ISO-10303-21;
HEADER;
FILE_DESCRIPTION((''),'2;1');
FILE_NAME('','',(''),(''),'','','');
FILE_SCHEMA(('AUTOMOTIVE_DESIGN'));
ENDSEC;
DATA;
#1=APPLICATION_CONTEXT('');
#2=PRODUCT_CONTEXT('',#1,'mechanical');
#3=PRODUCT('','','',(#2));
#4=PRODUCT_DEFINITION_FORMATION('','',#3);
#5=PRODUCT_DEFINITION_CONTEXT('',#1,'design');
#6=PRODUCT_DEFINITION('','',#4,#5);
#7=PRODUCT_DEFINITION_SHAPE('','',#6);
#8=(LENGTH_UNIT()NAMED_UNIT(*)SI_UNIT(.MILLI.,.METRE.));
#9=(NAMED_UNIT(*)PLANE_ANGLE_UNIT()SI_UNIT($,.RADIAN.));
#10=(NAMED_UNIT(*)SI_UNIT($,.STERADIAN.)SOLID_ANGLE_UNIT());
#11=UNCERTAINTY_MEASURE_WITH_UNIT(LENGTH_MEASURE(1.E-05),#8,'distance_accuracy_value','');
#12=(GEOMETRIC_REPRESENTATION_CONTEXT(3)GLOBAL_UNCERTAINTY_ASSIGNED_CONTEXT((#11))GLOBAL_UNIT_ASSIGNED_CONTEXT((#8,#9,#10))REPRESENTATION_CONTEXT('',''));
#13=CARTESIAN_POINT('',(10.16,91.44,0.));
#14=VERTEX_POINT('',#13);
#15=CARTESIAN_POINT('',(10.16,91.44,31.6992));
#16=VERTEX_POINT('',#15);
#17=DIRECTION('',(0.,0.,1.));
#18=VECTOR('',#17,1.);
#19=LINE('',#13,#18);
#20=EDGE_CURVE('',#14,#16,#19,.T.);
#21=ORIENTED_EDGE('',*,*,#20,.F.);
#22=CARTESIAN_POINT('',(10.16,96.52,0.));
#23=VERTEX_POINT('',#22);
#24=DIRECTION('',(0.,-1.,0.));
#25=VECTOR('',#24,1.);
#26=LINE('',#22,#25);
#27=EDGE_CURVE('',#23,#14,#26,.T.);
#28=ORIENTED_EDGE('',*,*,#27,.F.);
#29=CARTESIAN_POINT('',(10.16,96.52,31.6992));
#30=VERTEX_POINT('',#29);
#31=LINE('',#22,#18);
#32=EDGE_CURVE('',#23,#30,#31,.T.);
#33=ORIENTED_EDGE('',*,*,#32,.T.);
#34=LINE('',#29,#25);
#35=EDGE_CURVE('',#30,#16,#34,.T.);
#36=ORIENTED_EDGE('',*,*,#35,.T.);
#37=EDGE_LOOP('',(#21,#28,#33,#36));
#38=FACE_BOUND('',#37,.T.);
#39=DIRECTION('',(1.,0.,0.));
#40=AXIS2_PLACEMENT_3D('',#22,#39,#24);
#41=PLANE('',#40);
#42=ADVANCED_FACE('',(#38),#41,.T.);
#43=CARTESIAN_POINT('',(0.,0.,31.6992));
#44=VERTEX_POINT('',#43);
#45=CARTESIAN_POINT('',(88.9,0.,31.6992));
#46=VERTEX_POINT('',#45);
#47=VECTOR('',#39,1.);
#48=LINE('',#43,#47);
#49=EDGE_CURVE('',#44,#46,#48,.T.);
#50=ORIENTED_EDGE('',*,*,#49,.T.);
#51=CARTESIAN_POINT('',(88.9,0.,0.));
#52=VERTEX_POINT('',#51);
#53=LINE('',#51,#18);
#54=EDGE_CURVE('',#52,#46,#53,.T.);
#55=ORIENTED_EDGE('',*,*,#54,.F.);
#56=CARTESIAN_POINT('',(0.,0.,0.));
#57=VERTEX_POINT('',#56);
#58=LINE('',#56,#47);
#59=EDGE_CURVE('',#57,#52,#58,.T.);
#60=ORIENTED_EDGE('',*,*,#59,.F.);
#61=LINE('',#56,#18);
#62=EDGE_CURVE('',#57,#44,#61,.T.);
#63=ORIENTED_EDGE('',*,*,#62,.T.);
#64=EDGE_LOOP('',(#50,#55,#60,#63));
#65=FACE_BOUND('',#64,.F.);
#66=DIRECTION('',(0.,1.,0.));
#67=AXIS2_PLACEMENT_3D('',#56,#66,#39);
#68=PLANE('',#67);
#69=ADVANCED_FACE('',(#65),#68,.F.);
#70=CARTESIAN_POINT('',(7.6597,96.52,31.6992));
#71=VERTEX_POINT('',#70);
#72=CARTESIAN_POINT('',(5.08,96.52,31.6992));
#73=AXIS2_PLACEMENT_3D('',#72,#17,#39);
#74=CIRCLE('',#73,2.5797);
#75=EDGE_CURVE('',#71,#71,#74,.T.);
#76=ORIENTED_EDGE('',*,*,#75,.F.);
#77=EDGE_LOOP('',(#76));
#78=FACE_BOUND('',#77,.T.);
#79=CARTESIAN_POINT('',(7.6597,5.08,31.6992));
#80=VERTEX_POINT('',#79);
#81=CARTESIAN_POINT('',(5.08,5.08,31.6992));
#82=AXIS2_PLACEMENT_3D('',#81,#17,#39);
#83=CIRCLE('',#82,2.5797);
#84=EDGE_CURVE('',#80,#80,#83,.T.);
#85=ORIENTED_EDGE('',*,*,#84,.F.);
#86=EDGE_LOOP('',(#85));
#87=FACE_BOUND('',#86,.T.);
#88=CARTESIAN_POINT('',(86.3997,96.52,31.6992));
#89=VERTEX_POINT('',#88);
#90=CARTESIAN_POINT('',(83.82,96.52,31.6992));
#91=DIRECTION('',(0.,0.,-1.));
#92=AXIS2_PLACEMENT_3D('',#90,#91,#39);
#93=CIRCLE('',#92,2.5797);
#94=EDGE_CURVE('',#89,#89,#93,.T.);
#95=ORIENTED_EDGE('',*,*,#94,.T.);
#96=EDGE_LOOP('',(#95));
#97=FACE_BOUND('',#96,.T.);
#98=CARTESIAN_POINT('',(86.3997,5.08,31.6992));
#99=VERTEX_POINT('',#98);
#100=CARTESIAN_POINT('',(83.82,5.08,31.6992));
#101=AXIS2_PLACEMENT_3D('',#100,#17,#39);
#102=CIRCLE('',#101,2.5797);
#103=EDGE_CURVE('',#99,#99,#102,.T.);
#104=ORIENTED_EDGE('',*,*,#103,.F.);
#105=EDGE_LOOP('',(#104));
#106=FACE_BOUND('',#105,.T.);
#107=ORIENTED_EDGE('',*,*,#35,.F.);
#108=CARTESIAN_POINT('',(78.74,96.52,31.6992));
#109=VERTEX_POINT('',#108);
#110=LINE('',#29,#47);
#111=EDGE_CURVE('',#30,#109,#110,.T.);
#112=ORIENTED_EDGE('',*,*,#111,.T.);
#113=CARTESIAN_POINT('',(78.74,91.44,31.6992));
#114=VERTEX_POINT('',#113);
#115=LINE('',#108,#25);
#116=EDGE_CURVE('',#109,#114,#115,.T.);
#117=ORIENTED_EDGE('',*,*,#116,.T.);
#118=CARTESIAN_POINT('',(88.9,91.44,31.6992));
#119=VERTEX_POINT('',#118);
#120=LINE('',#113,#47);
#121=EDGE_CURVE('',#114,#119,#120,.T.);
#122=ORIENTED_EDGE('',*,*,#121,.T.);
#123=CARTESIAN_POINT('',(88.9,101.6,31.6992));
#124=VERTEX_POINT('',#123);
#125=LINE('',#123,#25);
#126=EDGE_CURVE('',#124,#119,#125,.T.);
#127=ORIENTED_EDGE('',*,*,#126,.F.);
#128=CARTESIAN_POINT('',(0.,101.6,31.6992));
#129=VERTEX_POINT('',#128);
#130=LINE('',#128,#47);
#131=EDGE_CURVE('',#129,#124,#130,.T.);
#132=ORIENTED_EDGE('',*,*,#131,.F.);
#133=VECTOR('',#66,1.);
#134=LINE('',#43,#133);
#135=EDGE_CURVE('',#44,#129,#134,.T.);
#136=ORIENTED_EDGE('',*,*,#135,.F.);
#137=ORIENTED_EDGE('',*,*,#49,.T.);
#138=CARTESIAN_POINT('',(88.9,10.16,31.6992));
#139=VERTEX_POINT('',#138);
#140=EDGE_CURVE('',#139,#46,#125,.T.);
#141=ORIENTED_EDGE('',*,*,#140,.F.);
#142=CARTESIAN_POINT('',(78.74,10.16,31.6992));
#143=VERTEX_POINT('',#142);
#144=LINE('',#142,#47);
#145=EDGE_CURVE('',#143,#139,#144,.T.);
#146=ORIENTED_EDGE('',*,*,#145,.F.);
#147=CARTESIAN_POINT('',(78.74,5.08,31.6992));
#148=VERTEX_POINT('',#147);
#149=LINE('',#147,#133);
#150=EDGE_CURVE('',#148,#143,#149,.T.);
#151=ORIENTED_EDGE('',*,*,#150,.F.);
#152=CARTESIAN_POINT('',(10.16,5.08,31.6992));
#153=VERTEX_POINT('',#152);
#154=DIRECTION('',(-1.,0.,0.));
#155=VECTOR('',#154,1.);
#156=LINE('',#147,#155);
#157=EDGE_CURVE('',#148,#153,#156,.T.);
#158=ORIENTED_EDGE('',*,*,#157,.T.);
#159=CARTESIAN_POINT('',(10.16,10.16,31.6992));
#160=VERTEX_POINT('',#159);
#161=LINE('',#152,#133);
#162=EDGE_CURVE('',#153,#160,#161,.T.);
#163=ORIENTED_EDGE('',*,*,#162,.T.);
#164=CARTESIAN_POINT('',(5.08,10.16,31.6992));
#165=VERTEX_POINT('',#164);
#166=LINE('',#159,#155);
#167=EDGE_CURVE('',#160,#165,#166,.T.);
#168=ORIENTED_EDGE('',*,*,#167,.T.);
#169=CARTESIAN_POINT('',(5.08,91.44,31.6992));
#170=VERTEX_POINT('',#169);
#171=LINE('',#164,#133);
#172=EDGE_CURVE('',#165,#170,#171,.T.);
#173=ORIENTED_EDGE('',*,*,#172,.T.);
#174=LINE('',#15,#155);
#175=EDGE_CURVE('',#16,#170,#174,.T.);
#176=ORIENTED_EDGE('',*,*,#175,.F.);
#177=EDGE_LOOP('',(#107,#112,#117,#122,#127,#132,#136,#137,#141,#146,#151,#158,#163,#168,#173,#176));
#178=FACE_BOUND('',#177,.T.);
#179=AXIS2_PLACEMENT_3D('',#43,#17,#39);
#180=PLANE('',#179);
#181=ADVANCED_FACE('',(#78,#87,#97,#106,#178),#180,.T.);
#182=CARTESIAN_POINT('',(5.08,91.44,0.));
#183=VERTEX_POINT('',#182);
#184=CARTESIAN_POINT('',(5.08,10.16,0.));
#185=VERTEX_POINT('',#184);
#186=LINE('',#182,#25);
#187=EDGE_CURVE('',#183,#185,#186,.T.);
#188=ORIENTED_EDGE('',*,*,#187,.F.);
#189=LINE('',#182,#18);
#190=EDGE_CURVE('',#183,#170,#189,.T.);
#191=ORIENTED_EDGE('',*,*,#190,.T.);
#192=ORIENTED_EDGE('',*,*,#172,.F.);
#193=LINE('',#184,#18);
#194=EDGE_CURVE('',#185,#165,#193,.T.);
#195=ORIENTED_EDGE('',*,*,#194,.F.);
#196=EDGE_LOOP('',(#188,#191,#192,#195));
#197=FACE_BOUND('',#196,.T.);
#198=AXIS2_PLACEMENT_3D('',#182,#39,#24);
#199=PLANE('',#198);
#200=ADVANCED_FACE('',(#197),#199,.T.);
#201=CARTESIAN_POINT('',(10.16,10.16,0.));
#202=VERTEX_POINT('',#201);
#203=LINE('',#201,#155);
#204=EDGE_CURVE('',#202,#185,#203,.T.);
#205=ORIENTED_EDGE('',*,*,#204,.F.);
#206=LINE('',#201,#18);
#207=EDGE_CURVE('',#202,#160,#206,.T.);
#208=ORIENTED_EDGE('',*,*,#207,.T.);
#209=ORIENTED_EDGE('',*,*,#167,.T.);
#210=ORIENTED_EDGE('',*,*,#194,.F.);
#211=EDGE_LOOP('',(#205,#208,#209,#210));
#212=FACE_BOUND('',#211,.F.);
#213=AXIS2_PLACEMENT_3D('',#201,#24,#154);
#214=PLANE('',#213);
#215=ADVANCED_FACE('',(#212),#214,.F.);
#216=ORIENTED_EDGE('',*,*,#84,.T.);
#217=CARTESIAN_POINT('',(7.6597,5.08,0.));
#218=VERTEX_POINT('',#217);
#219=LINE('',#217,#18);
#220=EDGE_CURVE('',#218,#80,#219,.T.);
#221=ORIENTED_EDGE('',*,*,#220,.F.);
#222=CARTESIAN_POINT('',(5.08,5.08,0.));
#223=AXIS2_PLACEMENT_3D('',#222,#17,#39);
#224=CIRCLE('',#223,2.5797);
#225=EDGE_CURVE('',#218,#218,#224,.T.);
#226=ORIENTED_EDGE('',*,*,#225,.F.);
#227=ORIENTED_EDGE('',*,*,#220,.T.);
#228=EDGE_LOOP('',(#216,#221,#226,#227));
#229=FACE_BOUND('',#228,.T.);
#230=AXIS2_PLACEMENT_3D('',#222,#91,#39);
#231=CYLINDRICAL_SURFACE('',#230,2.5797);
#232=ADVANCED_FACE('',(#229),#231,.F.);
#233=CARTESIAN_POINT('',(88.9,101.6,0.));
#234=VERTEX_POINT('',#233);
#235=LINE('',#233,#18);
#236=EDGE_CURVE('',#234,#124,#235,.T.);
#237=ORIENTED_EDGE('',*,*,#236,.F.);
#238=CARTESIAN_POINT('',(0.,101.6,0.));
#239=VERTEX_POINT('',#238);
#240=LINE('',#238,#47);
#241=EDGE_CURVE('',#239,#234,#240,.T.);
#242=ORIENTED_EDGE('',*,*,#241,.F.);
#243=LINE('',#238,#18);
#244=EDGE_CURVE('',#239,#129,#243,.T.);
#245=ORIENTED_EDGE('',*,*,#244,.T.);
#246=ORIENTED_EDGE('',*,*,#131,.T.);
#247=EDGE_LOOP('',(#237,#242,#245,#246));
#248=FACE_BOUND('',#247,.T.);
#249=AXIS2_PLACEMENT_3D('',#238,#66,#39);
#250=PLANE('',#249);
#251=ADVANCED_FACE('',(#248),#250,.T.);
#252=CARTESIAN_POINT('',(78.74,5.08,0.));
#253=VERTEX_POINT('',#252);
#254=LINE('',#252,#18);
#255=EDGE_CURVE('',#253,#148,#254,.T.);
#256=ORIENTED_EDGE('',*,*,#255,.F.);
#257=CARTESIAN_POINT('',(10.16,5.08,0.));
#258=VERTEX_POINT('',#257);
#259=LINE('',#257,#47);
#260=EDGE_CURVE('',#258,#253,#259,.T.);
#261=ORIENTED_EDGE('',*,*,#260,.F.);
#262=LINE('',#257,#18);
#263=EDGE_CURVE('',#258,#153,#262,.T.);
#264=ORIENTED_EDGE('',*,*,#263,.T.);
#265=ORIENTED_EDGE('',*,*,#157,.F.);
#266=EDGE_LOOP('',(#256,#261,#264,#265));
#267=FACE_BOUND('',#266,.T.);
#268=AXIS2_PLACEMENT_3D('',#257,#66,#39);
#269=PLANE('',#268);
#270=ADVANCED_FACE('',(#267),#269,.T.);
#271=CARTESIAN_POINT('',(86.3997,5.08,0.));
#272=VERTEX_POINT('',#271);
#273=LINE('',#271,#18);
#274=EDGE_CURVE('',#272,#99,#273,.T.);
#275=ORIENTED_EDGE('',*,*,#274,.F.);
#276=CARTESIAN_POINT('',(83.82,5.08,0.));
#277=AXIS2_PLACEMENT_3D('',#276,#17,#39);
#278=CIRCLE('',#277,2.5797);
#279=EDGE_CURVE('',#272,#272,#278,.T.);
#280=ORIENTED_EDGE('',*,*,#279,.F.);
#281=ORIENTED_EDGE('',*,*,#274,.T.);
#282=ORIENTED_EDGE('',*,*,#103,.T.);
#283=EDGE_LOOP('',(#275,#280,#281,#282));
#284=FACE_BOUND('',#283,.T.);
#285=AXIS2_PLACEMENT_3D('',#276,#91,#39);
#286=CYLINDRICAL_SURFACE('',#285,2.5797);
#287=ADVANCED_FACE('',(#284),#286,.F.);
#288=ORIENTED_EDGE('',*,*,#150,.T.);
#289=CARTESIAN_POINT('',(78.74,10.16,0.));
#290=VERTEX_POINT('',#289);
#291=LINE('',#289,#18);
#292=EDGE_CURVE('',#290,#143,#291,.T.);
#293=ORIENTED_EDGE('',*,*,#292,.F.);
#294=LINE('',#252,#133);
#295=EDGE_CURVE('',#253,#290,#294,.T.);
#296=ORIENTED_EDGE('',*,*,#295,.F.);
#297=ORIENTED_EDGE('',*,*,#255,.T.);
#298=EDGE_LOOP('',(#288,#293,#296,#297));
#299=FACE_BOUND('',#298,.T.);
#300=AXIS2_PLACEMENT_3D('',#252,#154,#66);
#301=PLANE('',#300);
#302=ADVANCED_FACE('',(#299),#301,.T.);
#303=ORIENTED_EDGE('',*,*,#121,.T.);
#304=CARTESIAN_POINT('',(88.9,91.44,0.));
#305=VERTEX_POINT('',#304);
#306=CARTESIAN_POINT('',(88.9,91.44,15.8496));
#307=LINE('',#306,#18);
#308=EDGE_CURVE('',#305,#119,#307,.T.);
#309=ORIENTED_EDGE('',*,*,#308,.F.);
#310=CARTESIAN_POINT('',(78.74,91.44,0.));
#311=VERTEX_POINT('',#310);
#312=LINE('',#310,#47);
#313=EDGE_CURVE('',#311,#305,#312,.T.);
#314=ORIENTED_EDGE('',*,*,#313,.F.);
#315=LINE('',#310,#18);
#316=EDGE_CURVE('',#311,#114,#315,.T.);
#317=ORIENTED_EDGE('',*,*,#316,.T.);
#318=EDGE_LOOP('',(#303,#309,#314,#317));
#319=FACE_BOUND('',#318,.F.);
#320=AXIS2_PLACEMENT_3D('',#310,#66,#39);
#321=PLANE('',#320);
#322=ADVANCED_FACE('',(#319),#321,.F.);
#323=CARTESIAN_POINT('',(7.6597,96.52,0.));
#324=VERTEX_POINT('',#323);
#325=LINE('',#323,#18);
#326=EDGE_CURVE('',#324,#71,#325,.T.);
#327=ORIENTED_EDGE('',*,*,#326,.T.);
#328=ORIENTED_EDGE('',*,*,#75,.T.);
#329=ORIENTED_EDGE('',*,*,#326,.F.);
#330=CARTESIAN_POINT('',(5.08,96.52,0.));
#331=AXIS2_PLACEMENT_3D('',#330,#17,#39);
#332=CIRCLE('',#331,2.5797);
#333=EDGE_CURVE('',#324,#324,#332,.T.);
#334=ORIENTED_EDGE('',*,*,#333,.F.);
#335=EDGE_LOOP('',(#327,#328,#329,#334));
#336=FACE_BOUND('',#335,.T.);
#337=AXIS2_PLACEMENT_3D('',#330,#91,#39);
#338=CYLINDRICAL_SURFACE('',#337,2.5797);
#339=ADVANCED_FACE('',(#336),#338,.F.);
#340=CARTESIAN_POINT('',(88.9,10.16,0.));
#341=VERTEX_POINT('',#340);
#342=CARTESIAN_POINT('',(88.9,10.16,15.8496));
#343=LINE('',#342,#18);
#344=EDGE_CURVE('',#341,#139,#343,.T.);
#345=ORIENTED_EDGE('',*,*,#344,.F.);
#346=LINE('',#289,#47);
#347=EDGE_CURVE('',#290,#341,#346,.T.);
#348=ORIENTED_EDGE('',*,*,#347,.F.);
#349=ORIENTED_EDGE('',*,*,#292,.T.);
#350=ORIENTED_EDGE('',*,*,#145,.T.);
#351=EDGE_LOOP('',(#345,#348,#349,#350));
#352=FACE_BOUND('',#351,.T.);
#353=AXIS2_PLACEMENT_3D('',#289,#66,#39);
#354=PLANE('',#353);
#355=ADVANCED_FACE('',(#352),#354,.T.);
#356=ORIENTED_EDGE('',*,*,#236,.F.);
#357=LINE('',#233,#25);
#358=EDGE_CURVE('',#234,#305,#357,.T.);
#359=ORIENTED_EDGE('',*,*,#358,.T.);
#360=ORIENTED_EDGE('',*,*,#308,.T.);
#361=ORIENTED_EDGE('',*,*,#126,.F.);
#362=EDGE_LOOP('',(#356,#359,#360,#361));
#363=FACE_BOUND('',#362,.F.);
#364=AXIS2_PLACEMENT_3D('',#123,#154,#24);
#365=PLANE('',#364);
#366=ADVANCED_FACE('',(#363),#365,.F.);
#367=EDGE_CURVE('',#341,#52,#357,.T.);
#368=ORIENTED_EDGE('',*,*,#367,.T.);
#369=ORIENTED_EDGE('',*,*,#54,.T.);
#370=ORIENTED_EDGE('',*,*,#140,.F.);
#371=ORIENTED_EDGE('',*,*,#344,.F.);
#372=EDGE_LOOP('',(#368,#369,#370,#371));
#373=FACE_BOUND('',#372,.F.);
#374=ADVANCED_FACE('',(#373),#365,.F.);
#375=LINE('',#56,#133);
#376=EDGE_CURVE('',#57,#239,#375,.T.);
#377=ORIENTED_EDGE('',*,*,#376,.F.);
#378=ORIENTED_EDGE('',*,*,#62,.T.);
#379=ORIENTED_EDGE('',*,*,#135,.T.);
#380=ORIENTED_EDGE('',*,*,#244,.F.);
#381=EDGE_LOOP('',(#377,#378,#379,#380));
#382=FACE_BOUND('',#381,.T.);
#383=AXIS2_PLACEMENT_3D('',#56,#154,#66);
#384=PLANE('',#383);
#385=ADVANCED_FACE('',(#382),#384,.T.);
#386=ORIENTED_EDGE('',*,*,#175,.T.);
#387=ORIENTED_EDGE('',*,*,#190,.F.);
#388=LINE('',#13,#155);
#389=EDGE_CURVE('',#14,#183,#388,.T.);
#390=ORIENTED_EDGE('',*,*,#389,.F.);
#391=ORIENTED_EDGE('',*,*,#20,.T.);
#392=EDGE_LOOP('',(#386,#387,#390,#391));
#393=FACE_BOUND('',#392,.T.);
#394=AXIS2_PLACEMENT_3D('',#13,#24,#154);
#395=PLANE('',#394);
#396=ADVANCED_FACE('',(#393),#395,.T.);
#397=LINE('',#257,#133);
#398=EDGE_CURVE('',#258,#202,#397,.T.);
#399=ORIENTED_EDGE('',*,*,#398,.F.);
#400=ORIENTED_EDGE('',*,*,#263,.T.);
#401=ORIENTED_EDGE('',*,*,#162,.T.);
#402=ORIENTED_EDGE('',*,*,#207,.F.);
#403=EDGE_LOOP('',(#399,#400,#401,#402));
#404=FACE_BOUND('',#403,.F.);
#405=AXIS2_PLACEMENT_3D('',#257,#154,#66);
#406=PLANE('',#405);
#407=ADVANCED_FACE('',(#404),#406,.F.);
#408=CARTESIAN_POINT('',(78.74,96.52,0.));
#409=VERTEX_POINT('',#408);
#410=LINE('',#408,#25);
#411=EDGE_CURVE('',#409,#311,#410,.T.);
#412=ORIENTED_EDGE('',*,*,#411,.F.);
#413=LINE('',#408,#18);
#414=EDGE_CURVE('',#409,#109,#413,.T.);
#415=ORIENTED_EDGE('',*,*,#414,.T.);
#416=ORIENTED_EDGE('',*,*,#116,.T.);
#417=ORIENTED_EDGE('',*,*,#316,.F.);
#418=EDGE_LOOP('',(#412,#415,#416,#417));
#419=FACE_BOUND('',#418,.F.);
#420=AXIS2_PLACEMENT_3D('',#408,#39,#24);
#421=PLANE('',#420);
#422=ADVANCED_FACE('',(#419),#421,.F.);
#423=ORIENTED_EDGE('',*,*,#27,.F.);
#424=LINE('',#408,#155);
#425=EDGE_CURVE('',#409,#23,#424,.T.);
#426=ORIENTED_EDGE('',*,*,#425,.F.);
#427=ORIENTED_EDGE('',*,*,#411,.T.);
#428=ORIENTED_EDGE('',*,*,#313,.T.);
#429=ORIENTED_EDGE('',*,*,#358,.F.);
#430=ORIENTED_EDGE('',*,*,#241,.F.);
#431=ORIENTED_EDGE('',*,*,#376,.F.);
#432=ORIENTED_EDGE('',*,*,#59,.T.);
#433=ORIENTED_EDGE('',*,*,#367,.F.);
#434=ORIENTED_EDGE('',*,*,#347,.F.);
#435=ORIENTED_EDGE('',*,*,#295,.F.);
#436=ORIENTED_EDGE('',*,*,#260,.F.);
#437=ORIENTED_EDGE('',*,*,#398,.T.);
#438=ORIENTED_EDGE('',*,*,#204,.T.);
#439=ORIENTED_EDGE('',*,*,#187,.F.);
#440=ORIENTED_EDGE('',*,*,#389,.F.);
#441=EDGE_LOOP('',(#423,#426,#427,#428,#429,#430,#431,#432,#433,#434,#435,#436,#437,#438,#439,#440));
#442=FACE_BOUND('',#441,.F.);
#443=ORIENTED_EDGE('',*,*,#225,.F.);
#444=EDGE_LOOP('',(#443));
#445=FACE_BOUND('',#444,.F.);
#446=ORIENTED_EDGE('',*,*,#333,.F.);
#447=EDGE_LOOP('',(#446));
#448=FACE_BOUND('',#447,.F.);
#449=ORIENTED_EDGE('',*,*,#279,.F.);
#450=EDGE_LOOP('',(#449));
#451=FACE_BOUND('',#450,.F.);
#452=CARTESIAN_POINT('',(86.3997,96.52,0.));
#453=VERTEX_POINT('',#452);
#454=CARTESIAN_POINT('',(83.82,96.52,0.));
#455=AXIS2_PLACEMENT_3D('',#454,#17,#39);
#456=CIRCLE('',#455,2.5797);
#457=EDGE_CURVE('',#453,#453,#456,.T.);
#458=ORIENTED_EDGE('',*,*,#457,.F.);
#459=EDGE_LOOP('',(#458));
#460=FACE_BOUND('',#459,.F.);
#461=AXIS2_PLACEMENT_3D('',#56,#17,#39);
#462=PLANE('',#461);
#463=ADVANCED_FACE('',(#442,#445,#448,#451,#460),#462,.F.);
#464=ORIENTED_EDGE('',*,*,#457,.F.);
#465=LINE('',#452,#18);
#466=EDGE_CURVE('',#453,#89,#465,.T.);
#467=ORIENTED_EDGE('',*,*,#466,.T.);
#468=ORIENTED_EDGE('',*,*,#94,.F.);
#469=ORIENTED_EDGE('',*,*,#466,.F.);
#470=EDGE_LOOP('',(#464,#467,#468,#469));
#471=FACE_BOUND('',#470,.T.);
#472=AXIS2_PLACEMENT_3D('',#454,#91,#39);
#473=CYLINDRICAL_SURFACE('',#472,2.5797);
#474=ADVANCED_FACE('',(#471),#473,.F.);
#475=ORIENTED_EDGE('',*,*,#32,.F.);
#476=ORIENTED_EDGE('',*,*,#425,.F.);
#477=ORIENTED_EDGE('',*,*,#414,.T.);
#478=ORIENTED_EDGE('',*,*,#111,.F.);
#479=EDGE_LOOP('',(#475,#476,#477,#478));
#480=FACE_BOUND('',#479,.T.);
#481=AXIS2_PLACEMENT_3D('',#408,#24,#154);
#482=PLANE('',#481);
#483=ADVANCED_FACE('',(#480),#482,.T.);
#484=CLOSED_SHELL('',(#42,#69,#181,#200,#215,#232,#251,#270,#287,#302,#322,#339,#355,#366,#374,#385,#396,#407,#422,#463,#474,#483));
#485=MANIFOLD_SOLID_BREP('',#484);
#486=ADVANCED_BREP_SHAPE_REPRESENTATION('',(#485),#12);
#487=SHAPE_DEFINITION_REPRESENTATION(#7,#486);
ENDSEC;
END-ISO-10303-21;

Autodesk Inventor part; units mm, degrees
ref_plane "YZ Plane" through (0, 0, 0) normal (1, 0, 0) x (0, 1, 0)
ref_plane "XZ Plane" through (0, 0, 0) normal (0, 1, 0) x (-1, 0, 0)
ref_plane "XY Plane" through (0, 0, 0) normal (0, 0, 1) x (1, 0, 0)
sketch "Sketch1" plane through (0, 0, 0) normal (0, 0, 1) x (1, 0, 0)
  line L0 (0, 0) -> (0, 101.6)
  line L1 (0, 101.6) -> (88.9, 101.6)
  line L2 (0, 0) -> (88.9, 0)
  arc A0 (88.9, 0) -> (88.9, 101.6) centre (-27.4974, 50.8) ccw
  line L3 (0, 101.6) -> (5.08, 101.6) construction
  line L4 (5.08, 101.6) -> (5.08, 96.52) construction
  circle A1 centre (5.08, 96.52) radius 2.5797
  line L5 (44.45, 101.6) -> (44.45, 0) construction
  line L6 (0, 50.8) -> (104.3223, 50.8) construction
  circle A2 centre (83.82, 96.52) radius 2.5797
  circle A3 centre (5.08, 5.08) radius 2.5797
  circle A4 centre (83.82, 5.08) radius 2.5797
  line L7 (0, 101.6) -> (10.16, 101.6) construction
  line L8 (0, 101.6) -> (0, 91.44) construction
  line L9 (10.16, 96.52) -> (10.16, 91.44)
  line L10 (10.16, 91.44) -> (5.08, 91.44)
  line L11 (5.08, 91.44) -> (5.08, 50.8)
  line L12 (10.16, 96.52) -> (44.45, 96.52)
  arc A5 (90.1405, 10.16) -> (90.1405, 91.44) centre (-27.4974, 50.8) ccw
  line L13 (84.2708, 99.06) -> (83.3692, 99.06)
  line L14 (78.74, 96.52) -> (78.74, 91.44)
  line L15 (78.74, 91.44) -> (90.1405, 91.44)
  line L16 (78.74, 96.52) -> (44.45, 96.52)
  line L17 (10.16, 5.08) -> (10.16, 10.16)
  line L18 (10.16, 10.16) -> (5.08, 10.16)
  line L19 (10.16, 5.08) -> (44.45, 5.08)
  line L20 (78.74, 5.08) -> (44.45, 5.08)
  line L21 (78.74, 5.08) -> (78.74, 10.16)
  line L22 (78.74, 10.16) -> (90.1405, 10.16)
  line L23 (5.08, 10.16) -> (5.08, 50.8)
  point P0 (78.74, 101.6)
  point P1 (88.9, 91.44)
  point P2 (10.16, 0)
  point P3 (0, 10.16)
  point P4 (78.74, 0)
  point P5 (88.9, 10.16)
  dimension "d0" = 101.6
  dimension "d1" = 88.9
  dimension "d2" = 88.9
  dimension "d3" = 127
  dimension "d4" = 5.08
  dimension "d5" = 5.08
  dimension "d6" = 5.1594
  dimension "d7" = 10.16
  dimension "d8" = 10.16
  dimension "d9" = 2.54
extrude "Extrusion1" add sketch "Sketch1" along normal blind 31.6992
sketch "Sketch2" plane through (0, 0, 31.6992) normal (0, 0, 1) x (1, 0, 0)
  line L0 (88.9, 0) -> (0, 0) projected
  line L1 (88.9, 0) -> (124.549, 0)
  line L2 (124.549, 0) -> (124.549, 101.6)
  line L3 (124.549, 101.6) -> (88.9, 101.6)
  line L4 (88.9, 101.6) -> (88.9, 0)
extrude "Extrusion2" cut sketch "Sketch2" against normal blind 31.6992
properties part number "Gearbox cover"
